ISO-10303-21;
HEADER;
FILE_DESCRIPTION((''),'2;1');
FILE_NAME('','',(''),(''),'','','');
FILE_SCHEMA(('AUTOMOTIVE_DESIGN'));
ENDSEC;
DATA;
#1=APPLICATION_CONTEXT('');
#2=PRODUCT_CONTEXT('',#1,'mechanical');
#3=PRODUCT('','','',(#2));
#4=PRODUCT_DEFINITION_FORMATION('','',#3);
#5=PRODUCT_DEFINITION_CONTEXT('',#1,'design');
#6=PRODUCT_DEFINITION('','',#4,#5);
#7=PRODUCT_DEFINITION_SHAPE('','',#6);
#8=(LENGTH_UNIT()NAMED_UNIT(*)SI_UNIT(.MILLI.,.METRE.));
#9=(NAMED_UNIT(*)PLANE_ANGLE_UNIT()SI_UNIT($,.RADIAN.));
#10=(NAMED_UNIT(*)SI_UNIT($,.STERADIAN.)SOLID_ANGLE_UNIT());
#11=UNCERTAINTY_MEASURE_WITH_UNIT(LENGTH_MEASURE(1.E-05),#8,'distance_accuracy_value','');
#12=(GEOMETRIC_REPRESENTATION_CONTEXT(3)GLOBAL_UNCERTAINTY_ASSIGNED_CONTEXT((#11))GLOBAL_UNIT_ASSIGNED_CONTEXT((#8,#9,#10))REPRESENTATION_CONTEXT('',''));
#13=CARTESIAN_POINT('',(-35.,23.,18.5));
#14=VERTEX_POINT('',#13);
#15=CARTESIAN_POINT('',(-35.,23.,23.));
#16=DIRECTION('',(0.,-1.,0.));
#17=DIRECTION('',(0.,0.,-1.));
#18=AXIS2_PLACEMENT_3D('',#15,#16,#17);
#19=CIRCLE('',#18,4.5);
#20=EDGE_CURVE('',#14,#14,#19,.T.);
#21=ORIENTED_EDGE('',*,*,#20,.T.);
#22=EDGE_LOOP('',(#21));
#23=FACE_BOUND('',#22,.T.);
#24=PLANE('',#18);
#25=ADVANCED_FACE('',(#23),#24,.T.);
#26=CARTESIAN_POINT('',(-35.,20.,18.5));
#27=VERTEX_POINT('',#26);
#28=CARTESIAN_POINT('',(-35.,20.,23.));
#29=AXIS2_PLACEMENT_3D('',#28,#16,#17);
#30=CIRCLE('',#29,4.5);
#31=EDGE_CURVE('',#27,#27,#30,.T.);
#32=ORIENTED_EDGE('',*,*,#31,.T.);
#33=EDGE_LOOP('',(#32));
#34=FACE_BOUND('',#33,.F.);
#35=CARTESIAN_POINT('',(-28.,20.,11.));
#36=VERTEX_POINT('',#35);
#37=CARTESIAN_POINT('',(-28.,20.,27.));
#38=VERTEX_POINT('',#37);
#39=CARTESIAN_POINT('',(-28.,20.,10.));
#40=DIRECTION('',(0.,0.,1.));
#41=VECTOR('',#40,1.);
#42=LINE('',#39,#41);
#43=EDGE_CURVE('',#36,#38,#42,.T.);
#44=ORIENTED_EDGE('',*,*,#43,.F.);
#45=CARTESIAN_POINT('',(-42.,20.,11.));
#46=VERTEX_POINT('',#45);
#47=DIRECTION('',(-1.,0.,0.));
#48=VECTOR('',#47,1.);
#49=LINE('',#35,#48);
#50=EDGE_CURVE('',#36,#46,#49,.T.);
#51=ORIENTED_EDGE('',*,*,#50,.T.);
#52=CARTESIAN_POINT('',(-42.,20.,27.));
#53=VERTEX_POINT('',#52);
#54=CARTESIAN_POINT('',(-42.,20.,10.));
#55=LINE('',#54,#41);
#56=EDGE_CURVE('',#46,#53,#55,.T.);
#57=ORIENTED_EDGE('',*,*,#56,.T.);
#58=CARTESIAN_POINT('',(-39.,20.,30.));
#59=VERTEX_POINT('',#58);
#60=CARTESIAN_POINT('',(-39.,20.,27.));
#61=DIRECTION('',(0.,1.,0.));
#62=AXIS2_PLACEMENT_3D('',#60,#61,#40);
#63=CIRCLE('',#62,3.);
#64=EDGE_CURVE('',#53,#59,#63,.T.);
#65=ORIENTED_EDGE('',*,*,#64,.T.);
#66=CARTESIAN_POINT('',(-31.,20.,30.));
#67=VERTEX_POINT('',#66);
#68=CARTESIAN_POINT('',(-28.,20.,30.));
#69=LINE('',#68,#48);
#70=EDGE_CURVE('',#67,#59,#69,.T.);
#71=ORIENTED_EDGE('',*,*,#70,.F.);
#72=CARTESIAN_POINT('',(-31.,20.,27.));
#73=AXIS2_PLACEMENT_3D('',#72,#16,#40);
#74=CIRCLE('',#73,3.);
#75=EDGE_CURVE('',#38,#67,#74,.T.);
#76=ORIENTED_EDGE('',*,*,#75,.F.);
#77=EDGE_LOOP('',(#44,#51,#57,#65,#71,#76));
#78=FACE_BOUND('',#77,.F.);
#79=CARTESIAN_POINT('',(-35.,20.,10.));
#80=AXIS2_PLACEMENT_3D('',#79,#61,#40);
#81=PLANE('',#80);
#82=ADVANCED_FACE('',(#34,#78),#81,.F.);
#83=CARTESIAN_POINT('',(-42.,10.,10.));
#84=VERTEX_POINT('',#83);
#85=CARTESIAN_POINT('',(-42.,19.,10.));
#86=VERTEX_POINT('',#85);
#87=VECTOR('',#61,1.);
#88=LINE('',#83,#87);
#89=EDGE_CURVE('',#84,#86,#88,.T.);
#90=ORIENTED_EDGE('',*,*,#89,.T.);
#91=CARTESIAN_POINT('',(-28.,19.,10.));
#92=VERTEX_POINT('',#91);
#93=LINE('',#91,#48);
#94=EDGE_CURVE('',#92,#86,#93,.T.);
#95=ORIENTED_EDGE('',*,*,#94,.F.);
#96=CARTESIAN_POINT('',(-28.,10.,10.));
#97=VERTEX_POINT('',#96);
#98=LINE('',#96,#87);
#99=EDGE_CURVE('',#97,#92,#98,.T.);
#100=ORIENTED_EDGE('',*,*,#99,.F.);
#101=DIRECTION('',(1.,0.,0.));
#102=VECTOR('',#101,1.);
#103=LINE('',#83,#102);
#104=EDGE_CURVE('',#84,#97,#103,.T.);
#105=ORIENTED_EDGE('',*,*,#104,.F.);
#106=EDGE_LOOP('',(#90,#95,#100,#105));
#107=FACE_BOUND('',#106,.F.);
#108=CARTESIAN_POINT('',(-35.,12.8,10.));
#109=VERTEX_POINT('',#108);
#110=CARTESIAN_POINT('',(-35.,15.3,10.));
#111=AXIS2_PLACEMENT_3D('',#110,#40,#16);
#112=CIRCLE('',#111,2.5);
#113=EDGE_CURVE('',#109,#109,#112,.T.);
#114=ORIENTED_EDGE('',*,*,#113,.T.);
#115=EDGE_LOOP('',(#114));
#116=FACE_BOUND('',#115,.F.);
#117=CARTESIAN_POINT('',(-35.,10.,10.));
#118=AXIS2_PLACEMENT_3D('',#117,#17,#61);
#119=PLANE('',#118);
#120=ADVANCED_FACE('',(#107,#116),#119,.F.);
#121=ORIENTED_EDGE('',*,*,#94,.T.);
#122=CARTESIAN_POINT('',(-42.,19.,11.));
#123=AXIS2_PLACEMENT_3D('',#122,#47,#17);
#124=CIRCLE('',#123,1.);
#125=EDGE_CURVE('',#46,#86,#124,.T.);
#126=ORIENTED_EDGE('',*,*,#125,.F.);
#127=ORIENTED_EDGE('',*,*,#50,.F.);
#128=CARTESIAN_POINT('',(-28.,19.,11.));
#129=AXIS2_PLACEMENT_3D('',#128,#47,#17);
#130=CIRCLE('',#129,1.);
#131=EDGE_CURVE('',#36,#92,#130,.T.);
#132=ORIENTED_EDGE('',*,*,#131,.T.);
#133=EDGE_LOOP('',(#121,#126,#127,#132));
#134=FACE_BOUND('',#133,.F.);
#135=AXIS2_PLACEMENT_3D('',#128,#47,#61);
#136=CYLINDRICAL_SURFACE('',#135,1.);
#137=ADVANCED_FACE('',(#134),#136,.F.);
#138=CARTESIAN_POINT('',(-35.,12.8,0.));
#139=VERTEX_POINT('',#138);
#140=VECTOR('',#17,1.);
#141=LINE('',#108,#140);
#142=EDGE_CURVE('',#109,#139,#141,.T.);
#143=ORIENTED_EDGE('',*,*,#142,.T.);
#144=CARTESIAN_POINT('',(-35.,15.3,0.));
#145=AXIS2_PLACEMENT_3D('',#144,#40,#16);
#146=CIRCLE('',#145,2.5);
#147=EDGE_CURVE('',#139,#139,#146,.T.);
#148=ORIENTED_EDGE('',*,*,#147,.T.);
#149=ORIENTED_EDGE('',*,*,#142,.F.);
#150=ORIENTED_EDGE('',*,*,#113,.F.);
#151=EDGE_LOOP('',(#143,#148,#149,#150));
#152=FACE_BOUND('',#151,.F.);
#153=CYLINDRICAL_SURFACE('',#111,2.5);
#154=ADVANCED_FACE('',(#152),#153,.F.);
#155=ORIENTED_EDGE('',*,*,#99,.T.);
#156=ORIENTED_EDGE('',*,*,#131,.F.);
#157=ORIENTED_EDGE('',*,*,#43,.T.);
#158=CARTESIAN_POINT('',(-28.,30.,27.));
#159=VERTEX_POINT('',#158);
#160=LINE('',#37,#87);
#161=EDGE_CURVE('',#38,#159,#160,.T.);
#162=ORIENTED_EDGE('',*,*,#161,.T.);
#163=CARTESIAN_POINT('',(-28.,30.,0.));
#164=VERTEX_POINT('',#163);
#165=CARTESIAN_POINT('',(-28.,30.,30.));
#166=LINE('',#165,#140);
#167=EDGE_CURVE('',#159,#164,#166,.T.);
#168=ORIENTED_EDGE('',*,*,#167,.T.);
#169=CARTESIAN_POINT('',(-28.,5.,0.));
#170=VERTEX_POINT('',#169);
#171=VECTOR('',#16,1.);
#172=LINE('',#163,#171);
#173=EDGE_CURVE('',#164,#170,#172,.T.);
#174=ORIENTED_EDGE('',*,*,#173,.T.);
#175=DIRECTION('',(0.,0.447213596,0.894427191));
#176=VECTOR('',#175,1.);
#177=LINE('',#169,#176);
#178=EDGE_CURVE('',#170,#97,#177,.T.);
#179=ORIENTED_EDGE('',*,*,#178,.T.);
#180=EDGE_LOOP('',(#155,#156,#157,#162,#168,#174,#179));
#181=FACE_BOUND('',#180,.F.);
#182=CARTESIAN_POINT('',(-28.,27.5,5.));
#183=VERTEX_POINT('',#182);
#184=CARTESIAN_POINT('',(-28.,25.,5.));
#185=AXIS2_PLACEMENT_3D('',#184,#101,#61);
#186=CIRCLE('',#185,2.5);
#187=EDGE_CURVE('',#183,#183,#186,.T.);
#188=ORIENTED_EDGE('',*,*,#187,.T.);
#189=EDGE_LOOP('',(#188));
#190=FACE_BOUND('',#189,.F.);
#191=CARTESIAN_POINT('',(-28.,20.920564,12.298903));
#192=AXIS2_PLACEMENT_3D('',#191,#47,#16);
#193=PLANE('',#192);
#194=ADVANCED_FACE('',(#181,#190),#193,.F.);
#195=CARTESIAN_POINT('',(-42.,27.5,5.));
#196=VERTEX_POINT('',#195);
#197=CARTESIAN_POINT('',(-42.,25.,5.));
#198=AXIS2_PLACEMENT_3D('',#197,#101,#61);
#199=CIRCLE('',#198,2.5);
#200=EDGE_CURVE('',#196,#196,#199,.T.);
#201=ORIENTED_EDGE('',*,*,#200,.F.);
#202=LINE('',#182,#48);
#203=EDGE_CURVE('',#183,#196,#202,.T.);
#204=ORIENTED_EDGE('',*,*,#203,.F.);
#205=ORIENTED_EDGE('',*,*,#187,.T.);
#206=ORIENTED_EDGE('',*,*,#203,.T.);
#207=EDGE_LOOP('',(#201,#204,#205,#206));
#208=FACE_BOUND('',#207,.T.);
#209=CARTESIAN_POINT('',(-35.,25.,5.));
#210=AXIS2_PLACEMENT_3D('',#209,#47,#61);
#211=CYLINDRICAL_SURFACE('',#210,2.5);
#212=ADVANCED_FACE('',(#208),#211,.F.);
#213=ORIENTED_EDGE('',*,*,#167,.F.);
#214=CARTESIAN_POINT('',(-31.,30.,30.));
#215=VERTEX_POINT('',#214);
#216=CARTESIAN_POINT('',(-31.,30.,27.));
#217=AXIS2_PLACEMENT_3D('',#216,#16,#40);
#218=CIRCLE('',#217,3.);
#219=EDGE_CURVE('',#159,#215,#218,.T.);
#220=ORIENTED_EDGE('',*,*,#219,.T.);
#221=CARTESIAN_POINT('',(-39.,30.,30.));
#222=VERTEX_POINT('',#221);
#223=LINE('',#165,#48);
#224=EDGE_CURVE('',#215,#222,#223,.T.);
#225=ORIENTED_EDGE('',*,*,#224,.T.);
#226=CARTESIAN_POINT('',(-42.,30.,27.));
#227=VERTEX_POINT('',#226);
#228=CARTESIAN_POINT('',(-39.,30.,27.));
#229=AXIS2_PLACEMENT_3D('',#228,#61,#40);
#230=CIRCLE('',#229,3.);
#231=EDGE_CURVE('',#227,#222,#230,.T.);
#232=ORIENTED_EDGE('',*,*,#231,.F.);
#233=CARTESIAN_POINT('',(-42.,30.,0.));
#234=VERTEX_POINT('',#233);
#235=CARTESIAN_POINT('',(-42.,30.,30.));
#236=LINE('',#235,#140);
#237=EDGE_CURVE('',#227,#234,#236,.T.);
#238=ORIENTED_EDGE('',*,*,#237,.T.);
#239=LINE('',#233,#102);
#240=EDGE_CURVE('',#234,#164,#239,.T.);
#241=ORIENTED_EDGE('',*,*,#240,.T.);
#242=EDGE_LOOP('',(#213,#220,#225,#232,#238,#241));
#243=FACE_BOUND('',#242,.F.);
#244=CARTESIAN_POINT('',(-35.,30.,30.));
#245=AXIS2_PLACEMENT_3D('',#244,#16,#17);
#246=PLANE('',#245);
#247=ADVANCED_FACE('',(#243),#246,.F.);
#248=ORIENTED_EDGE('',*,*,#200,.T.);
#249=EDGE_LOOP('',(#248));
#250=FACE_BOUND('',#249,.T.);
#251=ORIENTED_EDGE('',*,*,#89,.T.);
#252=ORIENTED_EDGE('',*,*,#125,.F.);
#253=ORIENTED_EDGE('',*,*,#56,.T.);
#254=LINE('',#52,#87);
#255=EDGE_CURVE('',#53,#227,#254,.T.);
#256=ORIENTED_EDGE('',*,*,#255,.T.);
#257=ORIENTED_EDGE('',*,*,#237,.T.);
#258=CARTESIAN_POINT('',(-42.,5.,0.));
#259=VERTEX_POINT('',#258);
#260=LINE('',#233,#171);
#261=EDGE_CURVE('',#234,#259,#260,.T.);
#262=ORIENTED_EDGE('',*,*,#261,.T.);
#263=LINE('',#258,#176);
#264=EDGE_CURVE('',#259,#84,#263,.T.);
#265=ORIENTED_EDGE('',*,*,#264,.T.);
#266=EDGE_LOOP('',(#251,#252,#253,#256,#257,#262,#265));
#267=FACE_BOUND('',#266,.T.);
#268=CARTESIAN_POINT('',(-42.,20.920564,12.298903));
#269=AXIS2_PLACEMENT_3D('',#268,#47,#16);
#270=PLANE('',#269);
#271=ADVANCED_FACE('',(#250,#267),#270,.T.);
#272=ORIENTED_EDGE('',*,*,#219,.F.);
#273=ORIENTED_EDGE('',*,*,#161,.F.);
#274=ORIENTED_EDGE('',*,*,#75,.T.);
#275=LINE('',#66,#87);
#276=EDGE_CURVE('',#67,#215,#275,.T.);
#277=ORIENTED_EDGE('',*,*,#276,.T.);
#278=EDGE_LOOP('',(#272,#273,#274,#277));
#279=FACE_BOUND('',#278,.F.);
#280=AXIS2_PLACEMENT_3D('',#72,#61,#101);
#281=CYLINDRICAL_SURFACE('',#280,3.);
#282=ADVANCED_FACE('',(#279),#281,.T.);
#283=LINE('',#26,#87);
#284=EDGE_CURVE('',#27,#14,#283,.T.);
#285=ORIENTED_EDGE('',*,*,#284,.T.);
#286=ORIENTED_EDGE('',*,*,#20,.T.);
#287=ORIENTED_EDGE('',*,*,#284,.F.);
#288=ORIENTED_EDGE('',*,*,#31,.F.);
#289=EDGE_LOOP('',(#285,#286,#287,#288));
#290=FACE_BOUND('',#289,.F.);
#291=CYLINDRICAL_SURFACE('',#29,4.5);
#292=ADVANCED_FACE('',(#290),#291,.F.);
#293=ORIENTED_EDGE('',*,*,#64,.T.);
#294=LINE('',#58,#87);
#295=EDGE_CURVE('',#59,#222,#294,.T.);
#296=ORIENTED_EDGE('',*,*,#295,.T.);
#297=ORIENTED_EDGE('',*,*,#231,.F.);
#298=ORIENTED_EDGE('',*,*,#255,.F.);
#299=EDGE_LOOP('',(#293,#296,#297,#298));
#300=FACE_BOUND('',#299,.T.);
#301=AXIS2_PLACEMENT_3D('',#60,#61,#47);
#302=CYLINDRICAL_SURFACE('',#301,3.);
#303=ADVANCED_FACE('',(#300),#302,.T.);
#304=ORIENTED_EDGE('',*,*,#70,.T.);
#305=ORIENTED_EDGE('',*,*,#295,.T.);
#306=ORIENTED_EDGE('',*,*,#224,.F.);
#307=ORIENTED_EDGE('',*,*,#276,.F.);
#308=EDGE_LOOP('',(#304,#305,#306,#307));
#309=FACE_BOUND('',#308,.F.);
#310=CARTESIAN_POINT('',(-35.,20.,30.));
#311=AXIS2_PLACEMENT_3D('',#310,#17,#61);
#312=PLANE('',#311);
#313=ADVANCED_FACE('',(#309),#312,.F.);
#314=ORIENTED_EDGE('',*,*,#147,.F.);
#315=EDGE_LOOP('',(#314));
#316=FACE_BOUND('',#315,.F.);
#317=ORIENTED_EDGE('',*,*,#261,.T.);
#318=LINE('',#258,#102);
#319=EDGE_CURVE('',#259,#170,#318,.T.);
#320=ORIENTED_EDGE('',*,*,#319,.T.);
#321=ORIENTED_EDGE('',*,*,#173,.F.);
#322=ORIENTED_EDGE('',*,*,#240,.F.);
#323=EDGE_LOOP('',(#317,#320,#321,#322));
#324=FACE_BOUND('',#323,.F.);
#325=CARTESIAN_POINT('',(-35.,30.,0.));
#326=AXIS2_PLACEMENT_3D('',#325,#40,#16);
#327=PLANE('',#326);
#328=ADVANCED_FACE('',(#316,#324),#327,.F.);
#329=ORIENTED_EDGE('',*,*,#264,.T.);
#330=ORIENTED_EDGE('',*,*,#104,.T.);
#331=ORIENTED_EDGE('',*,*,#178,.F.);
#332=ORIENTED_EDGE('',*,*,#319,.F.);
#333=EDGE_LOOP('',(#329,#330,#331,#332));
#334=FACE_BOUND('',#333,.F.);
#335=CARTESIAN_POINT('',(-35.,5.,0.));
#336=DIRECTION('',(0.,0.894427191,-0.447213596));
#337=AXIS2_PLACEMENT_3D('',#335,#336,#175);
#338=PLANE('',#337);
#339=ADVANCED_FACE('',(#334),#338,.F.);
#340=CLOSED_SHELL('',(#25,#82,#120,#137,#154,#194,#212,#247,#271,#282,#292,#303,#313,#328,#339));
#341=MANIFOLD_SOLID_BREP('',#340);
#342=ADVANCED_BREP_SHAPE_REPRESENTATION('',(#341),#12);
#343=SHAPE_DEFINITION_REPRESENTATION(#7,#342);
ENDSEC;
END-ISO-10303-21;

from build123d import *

# Parameters (mm, degrees)
SKETCH002_R     = 2.5
PAD001_DEPTH    = 7
SKETCH003_R     = 4.5
POCKET001_DEPTH = 3
FILLET_R        = 3
SKETCH004_R     = 2.5
POCKET002_DEPTH = 10.001
FILLET001_R     = 1


with BuildPart() as part:
    # Sketch002 → Pad001 (new body, symmetric)
    with BuildSketch(Plane.YZ):
        Polygon((10, 10), (20, 10), (20, 30), (30, 30), (30, 0), (5, 0), align=None)
        with Locations((25, 5)):
            Circle(SKETCH002_R, mode=Mode.SUBTRACT)
    extrude(amount=PAD001_DEPTH, both=True)

    # Sketch003 (on Face2 of Pad001) → Pocket001 (cut)
    with BuildSketch(Plane(origin=(0, 20, 0), x_dir=(0, 0, -1), z_dir=(0, -1, 0))):
        with Locations((-23, 0)):
            Circle(SKETCH003_R)
    extrude(amount=-POCKET001_DEPTH, mode=Mode.SUBTRACT)

    # Fillet
    fillet_edges = [part.edges().sort_by_distance(p)[0] for p in [
        (-7, 25, 30),
        (7, 25, 30),
    ]]
    fillet(fillet_edges, radius=FILLET_R)

    # Sketch004 (on Face4 of Fillet) → Pocket002 (cut, through all)
    with BuildSketch(Plane(origin=(0, 0, 10), x_dir=(0, -1, 0), z_dir=(0, 0, 1))):
        with Locations((-15.3, 0)):
            Circle(SKETCH004_R)
    extrude(amount=-POCKET002_DEPTH, mode=Mode.SUBTRACT)

    # Fillet001
    fillet001_edges = [part.edges().sort_by_distance(p)[0] for p in [
        (0, 20, 10),
    ]]
    fillet(fillet001_edges, radius=FILLET001_R)


with BuildPart() as part_1:
    # Body001 placement: moved
    add(part.part.moved(Location((-35, 0, 0))))


solid = part_1.part
